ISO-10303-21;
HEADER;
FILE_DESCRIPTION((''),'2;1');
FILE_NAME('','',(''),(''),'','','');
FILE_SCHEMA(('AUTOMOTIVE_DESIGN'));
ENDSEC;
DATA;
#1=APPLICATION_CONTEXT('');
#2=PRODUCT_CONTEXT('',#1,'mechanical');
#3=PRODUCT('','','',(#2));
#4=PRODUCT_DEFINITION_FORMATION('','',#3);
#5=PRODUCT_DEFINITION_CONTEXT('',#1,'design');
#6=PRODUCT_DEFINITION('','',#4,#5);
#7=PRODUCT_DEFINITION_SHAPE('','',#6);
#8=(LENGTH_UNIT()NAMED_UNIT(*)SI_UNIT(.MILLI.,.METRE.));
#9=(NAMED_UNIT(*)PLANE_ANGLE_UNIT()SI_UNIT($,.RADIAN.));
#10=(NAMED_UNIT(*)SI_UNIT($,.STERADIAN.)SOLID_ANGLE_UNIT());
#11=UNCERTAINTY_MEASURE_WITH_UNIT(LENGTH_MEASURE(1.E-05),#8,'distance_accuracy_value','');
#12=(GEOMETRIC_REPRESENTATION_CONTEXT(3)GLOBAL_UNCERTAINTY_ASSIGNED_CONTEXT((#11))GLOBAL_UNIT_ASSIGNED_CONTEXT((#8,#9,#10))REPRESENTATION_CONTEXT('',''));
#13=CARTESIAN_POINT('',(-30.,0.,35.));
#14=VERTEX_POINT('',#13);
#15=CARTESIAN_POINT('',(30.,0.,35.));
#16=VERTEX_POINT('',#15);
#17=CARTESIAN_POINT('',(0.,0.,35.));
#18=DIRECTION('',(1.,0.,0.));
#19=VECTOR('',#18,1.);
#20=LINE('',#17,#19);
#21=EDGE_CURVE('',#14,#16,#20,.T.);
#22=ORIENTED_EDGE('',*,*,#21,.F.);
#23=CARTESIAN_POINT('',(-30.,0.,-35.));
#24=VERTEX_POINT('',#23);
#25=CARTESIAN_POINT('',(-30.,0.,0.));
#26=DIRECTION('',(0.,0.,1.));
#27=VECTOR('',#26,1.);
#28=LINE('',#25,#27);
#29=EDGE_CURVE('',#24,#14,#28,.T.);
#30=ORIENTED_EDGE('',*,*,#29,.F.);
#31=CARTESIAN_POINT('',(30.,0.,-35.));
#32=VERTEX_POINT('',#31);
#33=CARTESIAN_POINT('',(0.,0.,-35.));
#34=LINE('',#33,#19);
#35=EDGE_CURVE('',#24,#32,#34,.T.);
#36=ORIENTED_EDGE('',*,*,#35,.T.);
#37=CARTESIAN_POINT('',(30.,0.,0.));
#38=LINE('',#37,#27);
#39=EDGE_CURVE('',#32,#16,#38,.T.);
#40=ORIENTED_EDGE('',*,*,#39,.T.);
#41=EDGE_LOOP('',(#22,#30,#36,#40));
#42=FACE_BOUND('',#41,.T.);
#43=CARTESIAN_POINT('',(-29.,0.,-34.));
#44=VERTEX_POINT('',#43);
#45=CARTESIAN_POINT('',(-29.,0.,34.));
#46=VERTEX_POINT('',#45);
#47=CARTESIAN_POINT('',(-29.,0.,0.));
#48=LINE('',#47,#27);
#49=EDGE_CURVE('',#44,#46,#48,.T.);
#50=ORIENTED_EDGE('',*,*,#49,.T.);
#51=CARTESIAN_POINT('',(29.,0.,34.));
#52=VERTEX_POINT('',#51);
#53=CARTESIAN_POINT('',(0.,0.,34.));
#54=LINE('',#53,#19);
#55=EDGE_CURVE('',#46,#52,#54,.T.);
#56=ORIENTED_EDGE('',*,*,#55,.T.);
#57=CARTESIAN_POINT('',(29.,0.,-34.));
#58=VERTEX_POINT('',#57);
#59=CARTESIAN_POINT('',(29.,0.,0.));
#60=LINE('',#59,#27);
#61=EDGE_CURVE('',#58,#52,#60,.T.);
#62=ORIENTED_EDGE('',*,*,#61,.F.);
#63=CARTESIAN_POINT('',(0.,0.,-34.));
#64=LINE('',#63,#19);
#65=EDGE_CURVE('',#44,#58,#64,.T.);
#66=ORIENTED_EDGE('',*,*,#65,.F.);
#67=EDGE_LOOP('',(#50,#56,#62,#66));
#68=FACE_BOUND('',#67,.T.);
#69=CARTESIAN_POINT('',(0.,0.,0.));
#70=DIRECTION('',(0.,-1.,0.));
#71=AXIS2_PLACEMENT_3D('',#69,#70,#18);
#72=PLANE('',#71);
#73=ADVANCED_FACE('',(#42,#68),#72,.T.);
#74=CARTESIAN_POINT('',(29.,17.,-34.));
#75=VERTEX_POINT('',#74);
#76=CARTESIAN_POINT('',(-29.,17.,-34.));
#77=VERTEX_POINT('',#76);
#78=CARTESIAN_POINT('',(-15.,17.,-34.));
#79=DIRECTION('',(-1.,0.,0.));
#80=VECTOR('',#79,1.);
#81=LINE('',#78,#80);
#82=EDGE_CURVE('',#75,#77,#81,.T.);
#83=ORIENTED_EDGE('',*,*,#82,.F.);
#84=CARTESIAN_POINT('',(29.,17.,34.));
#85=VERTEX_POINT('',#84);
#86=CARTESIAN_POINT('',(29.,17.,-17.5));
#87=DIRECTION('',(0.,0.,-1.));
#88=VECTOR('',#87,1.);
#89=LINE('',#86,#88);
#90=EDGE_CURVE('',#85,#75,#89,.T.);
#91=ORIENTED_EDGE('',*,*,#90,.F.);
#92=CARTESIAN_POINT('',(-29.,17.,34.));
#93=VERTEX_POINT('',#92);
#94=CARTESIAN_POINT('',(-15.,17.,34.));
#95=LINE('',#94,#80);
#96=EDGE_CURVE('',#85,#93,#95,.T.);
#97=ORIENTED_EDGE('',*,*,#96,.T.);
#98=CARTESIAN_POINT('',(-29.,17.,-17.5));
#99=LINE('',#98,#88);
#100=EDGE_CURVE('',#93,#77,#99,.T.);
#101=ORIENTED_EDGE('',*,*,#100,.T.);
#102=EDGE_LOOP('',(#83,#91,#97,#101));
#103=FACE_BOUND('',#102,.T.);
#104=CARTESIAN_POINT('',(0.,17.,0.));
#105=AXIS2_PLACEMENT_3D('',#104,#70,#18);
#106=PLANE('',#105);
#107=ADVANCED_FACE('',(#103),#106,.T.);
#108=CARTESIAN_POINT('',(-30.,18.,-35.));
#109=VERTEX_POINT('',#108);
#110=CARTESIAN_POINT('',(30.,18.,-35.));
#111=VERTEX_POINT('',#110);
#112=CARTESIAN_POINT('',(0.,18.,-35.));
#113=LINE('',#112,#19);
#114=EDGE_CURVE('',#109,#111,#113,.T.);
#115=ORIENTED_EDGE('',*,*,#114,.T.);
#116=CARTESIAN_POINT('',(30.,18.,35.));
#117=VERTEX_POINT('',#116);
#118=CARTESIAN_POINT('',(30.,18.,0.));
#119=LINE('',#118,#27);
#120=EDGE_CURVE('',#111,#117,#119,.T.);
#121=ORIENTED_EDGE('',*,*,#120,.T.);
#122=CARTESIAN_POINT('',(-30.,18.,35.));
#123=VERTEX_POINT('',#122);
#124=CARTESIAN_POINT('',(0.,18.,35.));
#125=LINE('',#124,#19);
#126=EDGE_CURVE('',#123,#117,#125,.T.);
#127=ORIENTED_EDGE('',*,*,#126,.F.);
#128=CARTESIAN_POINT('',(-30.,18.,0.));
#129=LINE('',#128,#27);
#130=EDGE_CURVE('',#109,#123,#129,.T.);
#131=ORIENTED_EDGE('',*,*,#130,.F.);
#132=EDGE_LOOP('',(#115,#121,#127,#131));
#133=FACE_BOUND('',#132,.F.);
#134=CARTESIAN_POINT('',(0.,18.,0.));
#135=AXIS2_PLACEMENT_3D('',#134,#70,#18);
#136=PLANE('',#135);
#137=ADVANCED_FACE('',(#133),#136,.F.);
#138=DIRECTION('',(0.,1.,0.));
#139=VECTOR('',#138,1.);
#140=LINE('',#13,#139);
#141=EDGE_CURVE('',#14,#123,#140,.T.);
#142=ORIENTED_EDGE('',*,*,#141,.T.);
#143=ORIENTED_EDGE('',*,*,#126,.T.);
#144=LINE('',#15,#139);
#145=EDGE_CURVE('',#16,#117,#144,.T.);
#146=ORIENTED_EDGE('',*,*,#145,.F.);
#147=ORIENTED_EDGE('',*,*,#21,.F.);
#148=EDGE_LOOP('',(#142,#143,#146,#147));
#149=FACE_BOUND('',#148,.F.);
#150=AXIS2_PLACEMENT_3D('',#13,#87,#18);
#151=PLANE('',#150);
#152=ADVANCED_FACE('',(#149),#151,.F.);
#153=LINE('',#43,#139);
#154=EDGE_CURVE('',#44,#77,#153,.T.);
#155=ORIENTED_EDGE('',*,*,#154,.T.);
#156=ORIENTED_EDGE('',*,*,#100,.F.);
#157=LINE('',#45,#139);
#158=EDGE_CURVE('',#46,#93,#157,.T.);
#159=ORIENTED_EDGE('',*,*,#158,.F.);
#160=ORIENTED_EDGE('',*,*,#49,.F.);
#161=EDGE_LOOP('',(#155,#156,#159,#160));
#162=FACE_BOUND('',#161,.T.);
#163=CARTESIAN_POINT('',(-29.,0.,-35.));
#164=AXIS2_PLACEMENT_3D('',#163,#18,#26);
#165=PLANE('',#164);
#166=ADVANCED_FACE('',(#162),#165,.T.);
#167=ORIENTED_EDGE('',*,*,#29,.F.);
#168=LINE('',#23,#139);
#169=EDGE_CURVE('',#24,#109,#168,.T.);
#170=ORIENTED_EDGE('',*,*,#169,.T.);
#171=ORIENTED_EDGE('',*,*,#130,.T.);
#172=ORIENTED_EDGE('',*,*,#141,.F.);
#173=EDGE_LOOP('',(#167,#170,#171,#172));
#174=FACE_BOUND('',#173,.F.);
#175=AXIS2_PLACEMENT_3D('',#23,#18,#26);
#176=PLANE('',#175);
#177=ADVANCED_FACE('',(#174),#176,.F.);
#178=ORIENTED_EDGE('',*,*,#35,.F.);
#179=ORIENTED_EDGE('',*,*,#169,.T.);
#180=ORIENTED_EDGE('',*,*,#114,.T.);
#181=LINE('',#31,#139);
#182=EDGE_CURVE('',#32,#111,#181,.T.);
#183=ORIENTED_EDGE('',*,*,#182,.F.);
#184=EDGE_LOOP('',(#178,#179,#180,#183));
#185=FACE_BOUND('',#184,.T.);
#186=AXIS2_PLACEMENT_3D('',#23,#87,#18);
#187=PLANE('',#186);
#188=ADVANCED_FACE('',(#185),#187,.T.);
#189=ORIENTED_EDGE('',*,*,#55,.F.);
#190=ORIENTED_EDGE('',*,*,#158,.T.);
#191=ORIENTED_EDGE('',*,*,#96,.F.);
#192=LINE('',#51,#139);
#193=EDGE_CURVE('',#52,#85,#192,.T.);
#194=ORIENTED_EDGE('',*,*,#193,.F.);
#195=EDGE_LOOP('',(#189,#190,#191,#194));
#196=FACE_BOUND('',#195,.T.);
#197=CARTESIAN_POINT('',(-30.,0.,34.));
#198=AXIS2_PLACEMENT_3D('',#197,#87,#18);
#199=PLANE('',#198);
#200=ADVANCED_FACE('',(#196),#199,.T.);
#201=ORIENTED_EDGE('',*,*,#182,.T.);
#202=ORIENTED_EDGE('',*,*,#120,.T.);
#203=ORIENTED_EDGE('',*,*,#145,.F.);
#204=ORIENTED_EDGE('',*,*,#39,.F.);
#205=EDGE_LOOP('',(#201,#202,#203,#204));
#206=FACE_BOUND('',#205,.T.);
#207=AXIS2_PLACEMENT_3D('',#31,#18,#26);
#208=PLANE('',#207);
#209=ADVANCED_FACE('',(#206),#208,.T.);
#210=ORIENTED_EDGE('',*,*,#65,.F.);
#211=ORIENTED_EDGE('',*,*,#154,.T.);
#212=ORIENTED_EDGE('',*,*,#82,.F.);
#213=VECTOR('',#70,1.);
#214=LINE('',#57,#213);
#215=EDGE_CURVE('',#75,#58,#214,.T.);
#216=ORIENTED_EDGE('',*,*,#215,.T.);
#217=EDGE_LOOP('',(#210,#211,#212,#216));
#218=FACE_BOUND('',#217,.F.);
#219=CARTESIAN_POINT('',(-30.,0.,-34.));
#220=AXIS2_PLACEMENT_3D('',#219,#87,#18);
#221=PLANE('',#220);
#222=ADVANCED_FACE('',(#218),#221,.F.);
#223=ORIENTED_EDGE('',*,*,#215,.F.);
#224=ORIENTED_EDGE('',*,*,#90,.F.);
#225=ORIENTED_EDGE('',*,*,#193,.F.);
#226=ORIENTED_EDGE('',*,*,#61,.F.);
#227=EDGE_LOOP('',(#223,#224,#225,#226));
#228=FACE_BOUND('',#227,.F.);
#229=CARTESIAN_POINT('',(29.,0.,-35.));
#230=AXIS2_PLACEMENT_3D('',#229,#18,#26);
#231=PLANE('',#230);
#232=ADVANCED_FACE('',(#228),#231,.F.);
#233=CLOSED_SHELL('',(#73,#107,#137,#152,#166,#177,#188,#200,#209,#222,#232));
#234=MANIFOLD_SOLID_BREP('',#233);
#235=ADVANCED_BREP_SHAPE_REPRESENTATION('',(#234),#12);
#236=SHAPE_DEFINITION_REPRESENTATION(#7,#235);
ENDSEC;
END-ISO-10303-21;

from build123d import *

# Parameters (mm, degrees)
F0_W     = 60
F0_H     = 70
F1_DEPTH = 18
F2_T     = -1


with BuildPart() as f1:
    # F0 (on Front) → F1 (new body)
    with BuildSketch(Plane.XZ):
        Rectangle(F0_W, F0_H)
    extrude(amount=-F1_DEPTH)

    # F2
    f2_openings = [f1.faces().sort_by_distance(p)[0] for p in [
        (0, 0, 0),
    ]]
    offset(amount=F2_T, openings=f2_openings)


solid = f1.part
